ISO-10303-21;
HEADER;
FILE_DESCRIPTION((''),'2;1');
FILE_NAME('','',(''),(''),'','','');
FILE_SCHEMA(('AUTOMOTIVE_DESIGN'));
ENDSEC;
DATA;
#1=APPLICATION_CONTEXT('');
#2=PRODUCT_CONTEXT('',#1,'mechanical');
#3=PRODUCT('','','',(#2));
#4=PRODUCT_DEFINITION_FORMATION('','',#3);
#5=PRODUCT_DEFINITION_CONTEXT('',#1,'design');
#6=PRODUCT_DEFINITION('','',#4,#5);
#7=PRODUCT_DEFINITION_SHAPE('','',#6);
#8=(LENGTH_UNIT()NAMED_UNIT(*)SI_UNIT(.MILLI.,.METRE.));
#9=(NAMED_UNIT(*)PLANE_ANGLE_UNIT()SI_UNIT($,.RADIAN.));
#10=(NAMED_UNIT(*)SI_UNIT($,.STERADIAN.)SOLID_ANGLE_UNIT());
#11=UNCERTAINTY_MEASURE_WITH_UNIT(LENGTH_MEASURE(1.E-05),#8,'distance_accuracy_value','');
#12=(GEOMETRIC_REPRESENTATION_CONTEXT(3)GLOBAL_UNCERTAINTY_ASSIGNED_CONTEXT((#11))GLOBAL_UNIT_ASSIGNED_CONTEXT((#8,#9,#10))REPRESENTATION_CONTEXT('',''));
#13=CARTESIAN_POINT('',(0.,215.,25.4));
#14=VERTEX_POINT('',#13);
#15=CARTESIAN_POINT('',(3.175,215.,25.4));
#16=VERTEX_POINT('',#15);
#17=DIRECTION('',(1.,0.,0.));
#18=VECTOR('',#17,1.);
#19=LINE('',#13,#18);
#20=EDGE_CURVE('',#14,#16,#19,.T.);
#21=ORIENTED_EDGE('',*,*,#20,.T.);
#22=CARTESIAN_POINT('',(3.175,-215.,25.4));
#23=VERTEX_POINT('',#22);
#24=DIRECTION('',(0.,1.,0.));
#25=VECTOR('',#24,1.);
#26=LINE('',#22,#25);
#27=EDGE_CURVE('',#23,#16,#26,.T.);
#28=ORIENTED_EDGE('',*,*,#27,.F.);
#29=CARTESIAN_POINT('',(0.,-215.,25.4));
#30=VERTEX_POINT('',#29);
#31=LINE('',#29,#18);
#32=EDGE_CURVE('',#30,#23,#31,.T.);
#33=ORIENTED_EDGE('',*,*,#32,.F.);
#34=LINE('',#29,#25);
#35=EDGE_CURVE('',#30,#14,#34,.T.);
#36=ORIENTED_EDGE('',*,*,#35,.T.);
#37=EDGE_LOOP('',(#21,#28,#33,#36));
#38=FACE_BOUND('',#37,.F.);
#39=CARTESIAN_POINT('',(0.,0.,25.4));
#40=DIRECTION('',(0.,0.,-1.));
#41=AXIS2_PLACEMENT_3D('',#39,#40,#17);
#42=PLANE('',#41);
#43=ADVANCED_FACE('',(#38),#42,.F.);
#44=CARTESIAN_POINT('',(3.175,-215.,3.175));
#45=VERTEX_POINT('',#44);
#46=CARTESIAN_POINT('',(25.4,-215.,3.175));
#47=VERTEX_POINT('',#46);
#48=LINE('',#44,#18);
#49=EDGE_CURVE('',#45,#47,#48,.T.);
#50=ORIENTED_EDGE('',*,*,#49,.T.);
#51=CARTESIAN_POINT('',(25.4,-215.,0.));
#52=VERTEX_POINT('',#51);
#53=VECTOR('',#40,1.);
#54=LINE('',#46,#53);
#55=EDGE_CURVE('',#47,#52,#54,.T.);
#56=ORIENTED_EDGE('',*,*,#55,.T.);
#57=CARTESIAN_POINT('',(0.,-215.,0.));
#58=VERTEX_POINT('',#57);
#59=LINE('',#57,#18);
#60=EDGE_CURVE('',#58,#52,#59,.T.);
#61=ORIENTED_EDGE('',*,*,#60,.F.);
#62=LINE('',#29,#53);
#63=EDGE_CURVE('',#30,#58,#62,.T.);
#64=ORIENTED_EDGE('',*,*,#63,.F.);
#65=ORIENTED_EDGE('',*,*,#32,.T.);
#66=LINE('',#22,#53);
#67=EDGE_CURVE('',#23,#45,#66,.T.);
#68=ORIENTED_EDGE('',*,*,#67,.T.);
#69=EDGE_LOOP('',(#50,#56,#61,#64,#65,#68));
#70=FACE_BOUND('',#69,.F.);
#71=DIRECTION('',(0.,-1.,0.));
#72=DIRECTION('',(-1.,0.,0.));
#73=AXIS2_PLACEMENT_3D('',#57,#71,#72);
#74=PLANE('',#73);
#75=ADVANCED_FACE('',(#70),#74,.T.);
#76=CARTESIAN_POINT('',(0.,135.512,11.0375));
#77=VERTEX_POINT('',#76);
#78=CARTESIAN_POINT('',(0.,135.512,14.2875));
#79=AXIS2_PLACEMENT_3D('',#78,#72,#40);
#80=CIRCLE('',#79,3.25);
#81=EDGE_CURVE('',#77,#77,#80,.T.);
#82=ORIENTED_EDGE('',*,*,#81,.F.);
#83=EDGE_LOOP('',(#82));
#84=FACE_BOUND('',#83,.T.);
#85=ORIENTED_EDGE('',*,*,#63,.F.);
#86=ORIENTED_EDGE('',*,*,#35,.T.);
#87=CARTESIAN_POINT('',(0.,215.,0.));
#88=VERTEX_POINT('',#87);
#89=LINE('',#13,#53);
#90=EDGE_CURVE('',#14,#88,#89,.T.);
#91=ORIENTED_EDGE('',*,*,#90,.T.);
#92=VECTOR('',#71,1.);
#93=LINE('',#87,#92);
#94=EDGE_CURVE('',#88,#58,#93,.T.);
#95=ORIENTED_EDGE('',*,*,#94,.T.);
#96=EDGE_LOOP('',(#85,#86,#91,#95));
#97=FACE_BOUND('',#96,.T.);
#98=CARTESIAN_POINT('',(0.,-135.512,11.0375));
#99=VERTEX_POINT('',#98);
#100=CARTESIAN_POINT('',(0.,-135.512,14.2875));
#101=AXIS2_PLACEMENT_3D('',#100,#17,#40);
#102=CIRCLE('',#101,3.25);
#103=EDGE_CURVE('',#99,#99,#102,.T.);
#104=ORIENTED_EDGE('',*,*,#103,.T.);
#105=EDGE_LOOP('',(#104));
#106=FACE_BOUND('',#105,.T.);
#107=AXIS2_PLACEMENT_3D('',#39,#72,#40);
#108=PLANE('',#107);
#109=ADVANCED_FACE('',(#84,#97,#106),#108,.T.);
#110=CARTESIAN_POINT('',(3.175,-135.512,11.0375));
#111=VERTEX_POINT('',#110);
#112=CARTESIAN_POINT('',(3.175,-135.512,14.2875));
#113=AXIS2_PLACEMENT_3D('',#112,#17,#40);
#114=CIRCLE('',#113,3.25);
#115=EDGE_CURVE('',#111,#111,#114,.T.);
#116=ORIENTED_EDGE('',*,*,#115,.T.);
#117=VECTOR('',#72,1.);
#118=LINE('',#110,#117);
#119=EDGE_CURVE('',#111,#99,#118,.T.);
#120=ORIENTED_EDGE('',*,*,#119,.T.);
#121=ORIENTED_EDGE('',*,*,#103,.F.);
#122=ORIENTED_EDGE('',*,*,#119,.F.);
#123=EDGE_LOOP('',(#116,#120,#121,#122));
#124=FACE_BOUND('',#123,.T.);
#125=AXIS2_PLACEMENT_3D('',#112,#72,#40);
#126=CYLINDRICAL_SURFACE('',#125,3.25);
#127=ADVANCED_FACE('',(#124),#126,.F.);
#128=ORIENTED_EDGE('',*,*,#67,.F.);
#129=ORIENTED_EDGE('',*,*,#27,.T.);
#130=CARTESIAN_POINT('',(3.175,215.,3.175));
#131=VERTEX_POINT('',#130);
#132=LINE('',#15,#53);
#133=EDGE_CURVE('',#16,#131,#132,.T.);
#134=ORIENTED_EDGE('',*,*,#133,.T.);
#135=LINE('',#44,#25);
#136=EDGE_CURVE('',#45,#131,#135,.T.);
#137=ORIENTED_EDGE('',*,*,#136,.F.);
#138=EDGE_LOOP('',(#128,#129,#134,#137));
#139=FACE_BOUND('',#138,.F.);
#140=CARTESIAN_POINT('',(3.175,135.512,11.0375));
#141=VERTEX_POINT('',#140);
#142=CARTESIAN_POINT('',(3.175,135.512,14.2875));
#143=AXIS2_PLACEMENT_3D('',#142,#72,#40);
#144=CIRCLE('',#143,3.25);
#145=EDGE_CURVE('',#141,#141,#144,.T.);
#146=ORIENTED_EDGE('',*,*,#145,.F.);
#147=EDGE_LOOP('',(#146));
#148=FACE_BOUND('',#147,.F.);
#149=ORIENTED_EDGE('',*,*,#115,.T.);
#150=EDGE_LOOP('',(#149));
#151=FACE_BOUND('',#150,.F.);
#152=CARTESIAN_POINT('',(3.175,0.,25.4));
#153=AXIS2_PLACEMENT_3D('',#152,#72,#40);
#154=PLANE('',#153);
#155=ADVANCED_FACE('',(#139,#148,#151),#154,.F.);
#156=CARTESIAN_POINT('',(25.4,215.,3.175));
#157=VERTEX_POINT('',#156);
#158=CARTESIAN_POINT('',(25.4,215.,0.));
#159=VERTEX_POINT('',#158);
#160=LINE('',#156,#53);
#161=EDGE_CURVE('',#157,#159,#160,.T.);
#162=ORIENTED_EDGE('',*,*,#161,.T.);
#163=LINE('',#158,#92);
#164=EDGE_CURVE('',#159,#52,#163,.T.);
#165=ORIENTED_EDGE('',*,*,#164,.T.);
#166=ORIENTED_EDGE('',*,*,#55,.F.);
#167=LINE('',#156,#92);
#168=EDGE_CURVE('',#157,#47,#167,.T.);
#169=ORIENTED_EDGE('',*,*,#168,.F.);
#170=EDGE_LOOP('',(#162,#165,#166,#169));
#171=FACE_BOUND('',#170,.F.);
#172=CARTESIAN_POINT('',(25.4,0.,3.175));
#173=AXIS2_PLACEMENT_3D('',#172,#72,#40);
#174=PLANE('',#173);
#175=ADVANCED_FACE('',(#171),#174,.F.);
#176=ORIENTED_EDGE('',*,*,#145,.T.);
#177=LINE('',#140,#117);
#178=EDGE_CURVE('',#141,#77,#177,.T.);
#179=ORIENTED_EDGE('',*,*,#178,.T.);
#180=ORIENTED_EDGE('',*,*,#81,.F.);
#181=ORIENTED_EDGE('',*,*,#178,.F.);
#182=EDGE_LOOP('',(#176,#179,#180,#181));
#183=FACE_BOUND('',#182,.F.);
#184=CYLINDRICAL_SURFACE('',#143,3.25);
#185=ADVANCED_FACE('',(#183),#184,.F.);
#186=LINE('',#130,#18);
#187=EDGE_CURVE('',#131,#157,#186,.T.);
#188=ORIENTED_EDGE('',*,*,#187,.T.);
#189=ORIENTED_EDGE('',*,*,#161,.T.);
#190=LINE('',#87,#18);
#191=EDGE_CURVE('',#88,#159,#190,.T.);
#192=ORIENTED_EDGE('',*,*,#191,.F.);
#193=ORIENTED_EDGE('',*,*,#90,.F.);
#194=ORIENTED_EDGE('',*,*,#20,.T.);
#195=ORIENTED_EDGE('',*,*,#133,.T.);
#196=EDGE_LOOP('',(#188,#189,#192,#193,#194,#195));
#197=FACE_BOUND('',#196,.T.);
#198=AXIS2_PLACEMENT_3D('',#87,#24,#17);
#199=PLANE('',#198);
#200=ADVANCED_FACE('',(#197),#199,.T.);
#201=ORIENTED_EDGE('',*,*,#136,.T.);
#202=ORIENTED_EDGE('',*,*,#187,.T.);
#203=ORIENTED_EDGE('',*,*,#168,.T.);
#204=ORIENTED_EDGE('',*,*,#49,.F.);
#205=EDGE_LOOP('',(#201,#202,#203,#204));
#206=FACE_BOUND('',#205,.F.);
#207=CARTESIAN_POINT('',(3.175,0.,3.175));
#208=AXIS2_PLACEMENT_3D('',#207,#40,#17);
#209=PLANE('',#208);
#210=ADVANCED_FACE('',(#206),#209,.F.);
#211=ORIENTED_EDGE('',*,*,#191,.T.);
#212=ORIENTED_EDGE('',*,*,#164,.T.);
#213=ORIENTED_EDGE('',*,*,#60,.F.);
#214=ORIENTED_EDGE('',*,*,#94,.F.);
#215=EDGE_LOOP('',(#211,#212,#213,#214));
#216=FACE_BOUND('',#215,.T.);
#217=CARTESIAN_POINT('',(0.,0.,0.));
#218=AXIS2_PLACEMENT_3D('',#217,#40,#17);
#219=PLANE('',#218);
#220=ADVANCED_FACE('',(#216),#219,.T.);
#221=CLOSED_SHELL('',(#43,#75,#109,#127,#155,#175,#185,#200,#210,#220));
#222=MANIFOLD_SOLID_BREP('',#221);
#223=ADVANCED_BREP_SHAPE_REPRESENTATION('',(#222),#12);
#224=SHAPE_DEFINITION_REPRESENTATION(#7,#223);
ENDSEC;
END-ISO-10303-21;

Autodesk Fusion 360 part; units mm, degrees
sketch "Sketch1" plane through (0, 0, 0) normal (0, 1, 0) x (1, 0, 0)
  line L0 (0, -25.4) -> (0, 0)
  line L1 (0, 0) -> (25.4, 0)
  line L2 (12.7, -12.7) -> (11.05, -11.05) construction
  line L3 (3.175, -25.4) -> (3.175, -3.175)
  line L4 (3.175, -3.175) -> (25.4, -3.175)
  line L5 (25.4, -3.175) -> (25.4, 0)
  line L6 (0, -25.4) -> (3.175, -25.4)
  dimension "d1" = 25.4
  dimension "d2" = 25.4
  dimension "d13" = 3.175
extrude "Extrude1" add sketch "Sketch1" along normal blind 215
hole "Hole3" at (3.175, 135.512, 14.2875) direction (-1, 0, 0) diameter 6.5 end through all
mirror "Mirror1" about plane through (0, 0, 0) normal (0, 1, 0) of bodies 1 merged
equation "d5 = ( 430 / 2 ) * 1 mm"
equation "d27 = ( 22.225 / 2 ) * 1 mm"
